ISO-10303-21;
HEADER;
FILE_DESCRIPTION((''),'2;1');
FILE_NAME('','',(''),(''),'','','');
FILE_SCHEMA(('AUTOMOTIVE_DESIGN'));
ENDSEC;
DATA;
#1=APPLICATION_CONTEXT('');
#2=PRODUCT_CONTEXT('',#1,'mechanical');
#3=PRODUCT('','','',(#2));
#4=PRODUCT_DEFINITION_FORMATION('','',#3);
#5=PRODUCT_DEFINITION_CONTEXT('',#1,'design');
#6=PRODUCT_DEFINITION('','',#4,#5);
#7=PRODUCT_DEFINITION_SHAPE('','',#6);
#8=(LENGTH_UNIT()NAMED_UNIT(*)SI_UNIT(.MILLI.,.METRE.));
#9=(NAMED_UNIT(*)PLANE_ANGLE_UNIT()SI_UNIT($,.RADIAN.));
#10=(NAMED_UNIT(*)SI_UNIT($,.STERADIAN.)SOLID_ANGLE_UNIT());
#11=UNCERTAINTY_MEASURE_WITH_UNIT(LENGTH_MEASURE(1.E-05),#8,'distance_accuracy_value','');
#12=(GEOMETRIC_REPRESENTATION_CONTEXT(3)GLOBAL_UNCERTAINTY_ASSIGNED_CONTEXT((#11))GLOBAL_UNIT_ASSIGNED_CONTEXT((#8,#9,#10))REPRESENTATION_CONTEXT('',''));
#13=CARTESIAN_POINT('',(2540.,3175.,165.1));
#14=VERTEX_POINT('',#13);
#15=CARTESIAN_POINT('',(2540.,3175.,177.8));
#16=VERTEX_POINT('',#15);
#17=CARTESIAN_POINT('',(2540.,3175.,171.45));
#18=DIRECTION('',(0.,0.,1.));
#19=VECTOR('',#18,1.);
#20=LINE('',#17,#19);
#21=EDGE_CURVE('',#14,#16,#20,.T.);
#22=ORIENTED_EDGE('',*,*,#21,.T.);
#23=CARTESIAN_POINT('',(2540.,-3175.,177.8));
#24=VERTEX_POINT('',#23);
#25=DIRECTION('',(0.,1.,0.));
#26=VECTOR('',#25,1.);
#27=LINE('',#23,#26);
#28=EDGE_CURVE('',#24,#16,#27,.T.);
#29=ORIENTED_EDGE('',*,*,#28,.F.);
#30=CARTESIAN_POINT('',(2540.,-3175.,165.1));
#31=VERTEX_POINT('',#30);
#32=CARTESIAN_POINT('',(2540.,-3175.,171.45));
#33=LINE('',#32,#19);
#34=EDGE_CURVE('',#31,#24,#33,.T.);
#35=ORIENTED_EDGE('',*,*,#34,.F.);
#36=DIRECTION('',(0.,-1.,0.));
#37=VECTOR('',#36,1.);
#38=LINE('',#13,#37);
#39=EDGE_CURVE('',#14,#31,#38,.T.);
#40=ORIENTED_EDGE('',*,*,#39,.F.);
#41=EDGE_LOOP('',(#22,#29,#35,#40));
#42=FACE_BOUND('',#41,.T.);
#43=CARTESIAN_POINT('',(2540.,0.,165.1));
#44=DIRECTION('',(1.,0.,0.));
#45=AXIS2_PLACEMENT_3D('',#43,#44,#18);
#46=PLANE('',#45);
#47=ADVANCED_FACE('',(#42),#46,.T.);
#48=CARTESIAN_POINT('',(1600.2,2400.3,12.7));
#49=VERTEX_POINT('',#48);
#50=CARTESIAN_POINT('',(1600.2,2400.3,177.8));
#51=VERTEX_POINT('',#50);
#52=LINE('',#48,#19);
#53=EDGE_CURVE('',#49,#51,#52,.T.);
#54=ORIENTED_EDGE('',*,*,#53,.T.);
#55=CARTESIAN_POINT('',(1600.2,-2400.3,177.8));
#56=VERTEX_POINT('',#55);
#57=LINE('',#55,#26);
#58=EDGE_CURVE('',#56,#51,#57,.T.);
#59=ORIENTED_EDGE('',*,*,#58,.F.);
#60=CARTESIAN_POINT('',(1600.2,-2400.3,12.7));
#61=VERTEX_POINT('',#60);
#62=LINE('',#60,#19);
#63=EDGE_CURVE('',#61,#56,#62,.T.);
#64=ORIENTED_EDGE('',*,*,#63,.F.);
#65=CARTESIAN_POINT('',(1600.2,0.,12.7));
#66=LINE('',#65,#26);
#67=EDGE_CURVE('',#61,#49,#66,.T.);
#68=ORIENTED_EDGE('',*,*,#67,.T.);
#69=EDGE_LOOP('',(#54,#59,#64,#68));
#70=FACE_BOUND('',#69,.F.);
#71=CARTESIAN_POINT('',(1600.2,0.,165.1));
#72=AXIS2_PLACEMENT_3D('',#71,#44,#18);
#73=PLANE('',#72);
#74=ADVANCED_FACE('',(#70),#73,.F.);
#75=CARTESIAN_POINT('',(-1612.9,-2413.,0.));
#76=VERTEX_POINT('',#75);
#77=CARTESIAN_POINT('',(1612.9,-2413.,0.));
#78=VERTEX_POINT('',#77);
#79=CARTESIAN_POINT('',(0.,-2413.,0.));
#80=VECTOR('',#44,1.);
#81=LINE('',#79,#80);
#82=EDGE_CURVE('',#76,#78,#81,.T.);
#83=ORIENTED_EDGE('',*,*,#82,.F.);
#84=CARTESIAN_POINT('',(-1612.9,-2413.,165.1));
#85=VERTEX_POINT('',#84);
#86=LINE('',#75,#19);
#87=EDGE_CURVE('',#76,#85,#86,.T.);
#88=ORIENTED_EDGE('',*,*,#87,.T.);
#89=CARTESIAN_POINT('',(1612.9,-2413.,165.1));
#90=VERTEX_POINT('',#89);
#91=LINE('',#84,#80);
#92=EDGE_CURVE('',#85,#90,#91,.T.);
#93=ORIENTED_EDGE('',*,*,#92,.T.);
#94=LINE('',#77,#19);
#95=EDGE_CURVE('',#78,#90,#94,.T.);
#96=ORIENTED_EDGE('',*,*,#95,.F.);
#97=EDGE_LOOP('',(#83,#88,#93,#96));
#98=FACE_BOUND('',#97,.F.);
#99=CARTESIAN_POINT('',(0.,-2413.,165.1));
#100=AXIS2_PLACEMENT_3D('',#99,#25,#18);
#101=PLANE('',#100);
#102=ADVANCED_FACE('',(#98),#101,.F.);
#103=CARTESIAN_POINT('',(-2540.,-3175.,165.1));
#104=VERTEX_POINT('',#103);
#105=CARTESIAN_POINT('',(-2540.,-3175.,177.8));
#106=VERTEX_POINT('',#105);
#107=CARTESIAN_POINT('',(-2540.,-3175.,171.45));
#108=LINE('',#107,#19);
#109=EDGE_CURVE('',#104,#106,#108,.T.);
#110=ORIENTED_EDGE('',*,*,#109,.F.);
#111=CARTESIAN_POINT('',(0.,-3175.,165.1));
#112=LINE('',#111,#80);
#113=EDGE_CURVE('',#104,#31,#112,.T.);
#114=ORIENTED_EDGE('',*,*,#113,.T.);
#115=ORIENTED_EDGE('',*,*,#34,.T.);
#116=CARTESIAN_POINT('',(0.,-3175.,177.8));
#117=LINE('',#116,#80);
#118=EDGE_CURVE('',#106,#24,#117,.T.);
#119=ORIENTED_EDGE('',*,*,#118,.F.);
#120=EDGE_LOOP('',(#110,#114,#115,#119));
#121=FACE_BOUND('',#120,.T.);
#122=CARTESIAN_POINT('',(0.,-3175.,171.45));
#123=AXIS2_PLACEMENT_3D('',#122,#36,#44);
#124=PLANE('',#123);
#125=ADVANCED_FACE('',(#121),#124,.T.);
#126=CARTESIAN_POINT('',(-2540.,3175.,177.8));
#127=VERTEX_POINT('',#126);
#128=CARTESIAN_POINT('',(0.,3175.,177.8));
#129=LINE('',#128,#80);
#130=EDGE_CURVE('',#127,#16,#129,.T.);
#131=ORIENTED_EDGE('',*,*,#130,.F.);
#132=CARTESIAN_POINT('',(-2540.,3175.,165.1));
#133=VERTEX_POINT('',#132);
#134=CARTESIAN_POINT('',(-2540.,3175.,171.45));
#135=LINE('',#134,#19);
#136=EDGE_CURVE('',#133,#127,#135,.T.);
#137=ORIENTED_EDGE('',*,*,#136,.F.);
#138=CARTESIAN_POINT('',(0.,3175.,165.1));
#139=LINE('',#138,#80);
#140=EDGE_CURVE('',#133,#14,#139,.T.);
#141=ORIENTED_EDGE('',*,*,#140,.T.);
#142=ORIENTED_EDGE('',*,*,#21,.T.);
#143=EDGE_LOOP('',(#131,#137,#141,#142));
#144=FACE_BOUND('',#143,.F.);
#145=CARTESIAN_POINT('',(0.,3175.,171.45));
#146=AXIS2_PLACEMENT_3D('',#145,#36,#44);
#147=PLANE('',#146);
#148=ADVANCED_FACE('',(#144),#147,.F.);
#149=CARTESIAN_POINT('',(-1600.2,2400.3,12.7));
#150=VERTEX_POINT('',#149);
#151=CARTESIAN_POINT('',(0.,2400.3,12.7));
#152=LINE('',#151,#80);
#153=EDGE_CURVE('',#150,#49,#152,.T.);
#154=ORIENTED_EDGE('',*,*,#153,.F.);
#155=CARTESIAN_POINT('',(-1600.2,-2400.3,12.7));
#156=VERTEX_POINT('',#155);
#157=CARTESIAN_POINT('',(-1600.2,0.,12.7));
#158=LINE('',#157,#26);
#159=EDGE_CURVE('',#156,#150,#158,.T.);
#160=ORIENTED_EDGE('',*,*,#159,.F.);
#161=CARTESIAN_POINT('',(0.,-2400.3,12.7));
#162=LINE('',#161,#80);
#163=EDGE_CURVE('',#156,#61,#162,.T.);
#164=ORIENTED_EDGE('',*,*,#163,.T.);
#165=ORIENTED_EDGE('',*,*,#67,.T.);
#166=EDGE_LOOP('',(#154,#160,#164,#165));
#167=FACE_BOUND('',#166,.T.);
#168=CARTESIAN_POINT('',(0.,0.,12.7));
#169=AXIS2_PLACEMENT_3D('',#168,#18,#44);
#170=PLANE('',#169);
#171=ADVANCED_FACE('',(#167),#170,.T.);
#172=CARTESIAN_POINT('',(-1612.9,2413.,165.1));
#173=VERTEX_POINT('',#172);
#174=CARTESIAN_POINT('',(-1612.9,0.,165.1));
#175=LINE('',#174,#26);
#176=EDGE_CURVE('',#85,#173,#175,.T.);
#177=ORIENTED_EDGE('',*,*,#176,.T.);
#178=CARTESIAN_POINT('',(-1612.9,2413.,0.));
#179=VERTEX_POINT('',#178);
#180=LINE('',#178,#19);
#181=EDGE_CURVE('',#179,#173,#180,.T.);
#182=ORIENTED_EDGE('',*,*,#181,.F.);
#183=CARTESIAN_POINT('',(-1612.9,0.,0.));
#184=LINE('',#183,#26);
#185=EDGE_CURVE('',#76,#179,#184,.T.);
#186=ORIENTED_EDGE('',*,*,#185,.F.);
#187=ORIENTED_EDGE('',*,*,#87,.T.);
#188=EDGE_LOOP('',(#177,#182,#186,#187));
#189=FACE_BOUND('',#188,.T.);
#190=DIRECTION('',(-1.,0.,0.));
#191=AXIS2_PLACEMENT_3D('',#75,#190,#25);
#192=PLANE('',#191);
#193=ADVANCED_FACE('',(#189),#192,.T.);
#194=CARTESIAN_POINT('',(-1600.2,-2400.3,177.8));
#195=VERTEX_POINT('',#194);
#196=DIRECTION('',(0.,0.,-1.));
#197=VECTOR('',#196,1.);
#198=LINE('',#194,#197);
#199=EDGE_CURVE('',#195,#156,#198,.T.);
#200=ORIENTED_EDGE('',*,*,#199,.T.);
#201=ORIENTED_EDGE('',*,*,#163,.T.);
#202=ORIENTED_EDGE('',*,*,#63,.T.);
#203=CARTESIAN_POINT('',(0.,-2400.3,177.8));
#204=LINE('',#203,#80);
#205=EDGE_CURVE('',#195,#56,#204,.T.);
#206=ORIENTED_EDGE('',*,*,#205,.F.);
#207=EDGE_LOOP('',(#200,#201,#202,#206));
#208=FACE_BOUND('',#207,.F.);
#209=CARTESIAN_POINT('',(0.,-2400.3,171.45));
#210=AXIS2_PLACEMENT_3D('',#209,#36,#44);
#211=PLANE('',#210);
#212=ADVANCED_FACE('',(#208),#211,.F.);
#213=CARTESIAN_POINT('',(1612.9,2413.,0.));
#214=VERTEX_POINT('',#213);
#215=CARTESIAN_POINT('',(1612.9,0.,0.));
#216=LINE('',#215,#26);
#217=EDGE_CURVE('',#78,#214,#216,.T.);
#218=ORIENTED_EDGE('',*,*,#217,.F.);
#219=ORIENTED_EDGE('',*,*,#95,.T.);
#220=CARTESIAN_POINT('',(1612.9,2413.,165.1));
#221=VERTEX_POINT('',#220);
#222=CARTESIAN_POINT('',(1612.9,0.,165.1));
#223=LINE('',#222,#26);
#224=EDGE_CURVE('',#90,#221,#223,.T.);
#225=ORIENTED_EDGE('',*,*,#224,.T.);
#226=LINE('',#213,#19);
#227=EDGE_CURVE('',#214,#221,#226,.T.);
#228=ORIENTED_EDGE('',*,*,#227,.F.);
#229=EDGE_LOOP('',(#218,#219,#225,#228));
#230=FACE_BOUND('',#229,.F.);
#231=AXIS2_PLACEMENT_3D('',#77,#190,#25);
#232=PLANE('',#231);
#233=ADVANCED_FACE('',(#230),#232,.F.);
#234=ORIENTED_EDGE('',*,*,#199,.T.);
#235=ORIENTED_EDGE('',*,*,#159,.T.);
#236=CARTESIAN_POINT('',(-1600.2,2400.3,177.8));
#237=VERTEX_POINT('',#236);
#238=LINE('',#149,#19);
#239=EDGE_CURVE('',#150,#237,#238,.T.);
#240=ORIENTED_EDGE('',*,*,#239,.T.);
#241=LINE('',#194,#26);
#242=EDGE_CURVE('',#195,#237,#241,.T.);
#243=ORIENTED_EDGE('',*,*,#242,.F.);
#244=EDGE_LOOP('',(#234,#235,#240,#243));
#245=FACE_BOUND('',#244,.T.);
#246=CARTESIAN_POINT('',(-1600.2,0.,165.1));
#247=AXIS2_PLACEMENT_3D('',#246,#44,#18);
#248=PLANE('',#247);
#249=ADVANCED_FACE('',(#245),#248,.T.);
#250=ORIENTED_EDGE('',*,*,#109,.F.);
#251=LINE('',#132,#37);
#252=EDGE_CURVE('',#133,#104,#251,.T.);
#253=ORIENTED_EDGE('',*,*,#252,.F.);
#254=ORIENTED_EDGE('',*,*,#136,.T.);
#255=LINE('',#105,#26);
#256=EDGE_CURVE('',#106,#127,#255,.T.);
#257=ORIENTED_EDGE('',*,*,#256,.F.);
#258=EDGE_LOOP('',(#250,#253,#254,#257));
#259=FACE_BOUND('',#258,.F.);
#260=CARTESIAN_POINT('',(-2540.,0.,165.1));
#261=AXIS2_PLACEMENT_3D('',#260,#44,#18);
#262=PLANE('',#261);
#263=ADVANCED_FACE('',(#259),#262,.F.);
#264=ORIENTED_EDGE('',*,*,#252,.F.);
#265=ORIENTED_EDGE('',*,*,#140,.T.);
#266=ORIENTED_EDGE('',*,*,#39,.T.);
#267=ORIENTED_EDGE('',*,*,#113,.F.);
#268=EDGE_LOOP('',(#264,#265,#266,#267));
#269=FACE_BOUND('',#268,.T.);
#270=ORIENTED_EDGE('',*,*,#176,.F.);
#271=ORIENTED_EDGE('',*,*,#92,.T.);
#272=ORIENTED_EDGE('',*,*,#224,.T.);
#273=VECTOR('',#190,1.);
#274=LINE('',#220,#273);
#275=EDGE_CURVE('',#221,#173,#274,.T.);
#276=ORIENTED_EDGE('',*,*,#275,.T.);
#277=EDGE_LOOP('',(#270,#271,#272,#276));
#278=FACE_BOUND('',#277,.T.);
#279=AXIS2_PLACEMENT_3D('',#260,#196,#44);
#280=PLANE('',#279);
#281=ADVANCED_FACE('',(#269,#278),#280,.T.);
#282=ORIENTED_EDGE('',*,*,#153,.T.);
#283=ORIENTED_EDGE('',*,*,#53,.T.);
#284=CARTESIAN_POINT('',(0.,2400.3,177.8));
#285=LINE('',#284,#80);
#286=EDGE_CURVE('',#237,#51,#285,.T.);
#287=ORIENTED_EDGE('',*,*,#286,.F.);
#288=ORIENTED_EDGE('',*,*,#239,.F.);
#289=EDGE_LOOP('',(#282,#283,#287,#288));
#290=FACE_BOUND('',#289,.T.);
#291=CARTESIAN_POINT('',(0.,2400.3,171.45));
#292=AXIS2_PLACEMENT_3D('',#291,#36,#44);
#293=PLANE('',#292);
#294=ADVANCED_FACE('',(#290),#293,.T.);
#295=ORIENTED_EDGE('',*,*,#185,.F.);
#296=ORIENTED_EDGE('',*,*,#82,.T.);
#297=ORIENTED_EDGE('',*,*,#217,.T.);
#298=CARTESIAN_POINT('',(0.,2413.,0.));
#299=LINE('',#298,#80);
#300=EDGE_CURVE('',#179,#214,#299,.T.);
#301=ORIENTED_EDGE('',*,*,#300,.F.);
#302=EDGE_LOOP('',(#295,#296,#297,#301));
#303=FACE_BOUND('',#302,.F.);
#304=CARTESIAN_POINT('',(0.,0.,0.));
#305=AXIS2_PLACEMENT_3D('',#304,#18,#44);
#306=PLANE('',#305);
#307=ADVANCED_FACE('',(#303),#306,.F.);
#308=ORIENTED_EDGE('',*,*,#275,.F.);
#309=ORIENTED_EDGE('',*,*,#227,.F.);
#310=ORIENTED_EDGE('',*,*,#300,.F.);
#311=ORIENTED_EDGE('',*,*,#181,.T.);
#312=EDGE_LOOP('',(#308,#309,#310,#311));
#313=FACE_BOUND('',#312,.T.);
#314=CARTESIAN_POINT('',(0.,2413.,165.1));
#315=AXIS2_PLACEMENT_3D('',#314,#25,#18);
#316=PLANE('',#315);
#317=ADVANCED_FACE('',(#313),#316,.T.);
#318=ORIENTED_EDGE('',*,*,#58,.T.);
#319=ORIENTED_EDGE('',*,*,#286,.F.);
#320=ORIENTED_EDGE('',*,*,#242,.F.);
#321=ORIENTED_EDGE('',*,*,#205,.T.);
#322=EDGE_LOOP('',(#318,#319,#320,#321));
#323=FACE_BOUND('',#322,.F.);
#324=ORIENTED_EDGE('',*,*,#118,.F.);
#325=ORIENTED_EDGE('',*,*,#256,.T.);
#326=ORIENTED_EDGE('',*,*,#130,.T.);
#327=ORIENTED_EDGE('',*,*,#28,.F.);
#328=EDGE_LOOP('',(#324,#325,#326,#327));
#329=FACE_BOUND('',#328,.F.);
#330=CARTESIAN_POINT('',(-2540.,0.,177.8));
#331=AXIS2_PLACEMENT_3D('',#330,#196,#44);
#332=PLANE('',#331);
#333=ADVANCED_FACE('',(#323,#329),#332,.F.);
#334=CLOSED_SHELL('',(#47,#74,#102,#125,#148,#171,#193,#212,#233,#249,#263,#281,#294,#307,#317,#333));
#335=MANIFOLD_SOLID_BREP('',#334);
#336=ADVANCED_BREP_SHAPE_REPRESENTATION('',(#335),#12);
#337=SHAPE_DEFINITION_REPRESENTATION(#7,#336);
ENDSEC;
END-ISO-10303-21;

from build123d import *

# Parameters (mm, degrees)
F0_W      = 3200.4
F0_H      = 4800.6
F1_DEPTH  = 12.7
F2_W      = 3225.8
F2_H      = 4826
F2_W_2    = 3200.4
F2_H_2    = 4800.6
F3_DEPTH  = 165.1
F4_W      = 4826
F4_H      = 12.7
F5_DEPTH  = 2540
F6_DEPTH  = 1600.2
F7_W      = 5080
F7_H      = 12.7
F8_DEPTH  = 3175
F9_W      = 3200.4
F9_H      = 12.7
F10_DEPTH = 2400.3


with BuildPart() as f1:
    # F0 (on Top) → F1 (new body)
    with BuildSketch(Plane.XY):
        Rectangle(F0_W, F0_H)
    extrude(amount=F1_DEPTH)

    # F2 (on Top) → F3 (join)
    with BuildSketch(Plane.XY):
        Rectangle(F2_W, F2_H)
        Rectangle(F2_W_2, F2_H_2, mode=Mode.SUBTRACT)
    extrude(amount=F3_DEPTH)

    # F4 (on Right) → F5 (join, symmetric)
    with BuildSketch(Plane.YZ):
        with Locations((0, 171.45)):
            Rectangle(F4_W, F4_H)
    extrude(amount=F5_DEPTH, both=True)

    # F4 (on Right) → F6 (cut, symmetric)
    with BuildSketch(Plane.YZ):
        with Locations((0, 171.45)):
            Rectangle(F4_W, F4_H)
    extrude(amount=F6_DEPTH, both=True, mode=Mode.SUBTRACT)

    # F7 (on Front) → F8 (join, symmetric)
    with BuildSketch(Plane.XZ):
        with Locations((0, 171.45)):
            Rectangle(F7_W, F7_H)
    extrude(amount=F8_DEPTH, both=True)

    # F9 (on Front) → F10 (cut, symmetric)
    with BuildSketch(Plane.XZ):
        with Locations((0, 171.45)):
            Rectangle(F9_W, F9_H)
    extrude(amount=F10_DEPTH, both=True, mode=Mode.SUBTRACT)


solid = f1.part
